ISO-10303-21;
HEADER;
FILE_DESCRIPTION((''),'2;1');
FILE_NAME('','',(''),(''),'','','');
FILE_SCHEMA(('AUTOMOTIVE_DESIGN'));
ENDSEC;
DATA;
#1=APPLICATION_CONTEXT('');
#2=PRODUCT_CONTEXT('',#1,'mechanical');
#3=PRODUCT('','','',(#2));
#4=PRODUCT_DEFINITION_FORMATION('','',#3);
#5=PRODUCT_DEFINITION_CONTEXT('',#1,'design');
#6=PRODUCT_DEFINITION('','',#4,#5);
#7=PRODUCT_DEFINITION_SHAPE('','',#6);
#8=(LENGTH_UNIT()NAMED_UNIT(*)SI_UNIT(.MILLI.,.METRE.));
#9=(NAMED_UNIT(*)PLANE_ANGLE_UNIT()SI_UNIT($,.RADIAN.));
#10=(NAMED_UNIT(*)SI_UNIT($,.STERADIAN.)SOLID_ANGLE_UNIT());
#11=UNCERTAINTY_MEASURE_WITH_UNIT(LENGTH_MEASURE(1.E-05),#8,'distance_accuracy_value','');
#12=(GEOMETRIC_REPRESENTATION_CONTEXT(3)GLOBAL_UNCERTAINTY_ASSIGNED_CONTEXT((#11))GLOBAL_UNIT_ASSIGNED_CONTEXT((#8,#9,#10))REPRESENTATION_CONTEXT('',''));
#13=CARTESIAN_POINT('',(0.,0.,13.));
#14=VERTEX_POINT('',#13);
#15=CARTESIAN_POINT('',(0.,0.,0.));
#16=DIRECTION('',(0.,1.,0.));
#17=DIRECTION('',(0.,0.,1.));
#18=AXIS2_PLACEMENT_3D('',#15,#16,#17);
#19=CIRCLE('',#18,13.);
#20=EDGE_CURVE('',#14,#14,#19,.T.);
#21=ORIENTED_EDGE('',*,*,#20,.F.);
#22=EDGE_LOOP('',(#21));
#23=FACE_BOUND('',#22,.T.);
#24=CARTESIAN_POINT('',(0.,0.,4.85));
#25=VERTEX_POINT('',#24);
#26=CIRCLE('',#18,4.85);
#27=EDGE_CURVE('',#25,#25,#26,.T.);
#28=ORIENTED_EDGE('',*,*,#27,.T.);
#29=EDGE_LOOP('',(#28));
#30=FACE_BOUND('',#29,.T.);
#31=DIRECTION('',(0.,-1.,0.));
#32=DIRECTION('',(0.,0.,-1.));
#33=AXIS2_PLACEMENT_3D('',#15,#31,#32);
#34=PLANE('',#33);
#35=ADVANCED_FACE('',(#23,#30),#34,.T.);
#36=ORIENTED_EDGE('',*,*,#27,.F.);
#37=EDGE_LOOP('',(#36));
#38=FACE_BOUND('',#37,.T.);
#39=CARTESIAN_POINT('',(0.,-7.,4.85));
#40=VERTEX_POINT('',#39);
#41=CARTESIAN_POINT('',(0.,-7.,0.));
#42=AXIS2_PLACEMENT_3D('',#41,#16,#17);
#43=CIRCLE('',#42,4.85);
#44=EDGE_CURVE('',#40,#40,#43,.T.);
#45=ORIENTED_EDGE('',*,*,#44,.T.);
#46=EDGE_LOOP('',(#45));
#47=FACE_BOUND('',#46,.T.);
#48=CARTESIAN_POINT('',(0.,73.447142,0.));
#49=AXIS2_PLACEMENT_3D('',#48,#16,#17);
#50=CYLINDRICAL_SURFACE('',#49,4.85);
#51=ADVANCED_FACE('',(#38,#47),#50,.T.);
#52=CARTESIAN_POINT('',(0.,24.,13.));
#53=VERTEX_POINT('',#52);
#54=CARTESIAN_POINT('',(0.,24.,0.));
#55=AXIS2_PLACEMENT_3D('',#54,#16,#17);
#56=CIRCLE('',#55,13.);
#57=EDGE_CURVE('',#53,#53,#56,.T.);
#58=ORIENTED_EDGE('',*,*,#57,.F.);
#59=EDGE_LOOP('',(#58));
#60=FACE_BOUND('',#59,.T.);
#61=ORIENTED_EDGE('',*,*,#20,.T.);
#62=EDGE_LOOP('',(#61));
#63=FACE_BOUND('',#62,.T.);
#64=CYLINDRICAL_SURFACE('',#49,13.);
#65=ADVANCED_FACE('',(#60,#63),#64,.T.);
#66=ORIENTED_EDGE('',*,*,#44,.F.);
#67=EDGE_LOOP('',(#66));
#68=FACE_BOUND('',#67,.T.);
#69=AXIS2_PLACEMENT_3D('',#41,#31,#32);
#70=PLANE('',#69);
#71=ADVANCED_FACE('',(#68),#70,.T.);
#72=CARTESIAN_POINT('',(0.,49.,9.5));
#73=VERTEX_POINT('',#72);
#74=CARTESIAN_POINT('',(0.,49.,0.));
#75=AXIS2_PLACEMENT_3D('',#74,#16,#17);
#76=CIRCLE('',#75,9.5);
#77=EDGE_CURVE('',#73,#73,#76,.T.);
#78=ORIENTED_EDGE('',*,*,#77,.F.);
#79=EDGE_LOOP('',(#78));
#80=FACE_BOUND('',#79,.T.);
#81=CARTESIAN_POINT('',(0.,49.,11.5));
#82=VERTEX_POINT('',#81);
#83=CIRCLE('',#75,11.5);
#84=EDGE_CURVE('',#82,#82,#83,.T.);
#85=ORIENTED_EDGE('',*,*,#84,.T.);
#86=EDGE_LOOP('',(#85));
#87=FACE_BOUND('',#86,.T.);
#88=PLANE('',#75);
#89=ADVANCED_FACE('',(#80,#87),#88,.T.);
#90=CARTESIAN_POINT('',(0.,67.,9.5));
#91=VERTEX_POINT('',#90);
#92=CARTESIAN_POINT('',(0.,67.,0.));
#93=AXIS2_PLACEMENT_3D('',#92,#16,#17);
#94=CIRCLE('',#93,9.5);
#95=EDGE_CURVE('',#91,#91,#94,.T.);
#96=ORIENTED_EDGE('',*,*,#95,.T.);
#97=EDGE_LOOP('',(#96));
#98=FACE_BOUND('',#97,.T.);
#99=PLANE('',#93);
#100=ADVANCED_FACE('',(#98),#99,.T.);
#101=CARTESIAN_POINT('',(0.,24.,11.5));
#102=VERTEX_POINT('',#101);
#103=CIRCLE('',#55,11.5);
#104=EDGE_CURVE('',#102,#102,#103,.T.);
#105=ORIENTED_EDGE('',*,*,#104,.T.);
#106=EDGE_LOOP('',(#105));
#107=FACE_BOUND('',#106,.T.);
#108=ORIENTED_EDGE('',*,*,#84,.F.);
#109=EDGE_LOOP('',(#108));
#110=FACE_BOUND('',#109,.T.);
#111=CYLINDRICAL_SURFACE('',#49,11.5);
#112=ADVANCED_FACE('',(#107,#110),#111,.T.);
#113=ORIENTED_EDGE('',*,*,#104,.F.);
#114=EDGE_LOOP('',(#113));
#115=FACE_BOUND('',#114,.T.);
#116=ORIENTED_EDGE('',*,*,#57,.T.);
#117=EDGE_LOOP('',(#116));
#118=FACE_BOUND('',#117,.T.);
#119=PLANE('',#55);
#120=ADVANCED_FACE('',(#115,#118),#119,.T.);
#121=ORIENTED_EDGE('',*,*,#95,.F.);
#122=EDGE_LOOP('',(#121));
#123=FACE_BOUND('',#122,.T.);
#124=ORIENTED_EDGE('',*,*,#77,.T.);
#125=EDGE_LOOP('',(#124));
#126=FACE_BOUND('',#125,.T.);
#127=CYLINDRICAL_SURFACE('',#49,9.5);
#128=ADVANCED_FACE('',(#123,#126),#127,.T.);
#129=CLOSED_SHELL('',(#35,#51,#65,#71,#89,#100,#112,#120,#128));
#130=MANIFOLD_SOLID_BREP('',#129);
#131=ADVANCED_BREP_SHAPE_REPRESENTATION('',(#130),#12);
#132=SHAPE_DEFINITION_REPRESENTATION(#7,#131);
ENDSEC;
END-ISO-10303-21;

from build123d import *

# Parameters (mm, degrees)
SKETCH_1_W   = 9.5
SKETCH_1_H   = 6
SKETCH_1_W_2 = 4.85
SKETCH_1_H_2 = 7


with BuildPart() as part:
    # Эскиз1 → Повернуть1 (revolve)
    with BuildSketch(Plane.XY, mode=Mode.PRIVATE) as revolve_1_sk:
        with Locations((4.75, 64)):
            Rectangle(SKETCH_1_W, SKETCH_1_H)
        Polygon((9.5, 61), (0, 61), (0, 0), (4.85, 0), (13, 0), (13, 24), (11.5, 24), (11.5, 49), (9.5, 49), align=None)
        with Locations((2.425, -3.5)):
            Rectangle(SKETCH_1_W_2, SKETCH_1_H_2)
    revolve(revolve_1_sk.sketch.rotate(Axis((0, 73.447142448, 0), (0, -1, 0)), 90), axis=Axis((0, 73.447142448, 0), (0, -1, 0)))


solid = part.part
